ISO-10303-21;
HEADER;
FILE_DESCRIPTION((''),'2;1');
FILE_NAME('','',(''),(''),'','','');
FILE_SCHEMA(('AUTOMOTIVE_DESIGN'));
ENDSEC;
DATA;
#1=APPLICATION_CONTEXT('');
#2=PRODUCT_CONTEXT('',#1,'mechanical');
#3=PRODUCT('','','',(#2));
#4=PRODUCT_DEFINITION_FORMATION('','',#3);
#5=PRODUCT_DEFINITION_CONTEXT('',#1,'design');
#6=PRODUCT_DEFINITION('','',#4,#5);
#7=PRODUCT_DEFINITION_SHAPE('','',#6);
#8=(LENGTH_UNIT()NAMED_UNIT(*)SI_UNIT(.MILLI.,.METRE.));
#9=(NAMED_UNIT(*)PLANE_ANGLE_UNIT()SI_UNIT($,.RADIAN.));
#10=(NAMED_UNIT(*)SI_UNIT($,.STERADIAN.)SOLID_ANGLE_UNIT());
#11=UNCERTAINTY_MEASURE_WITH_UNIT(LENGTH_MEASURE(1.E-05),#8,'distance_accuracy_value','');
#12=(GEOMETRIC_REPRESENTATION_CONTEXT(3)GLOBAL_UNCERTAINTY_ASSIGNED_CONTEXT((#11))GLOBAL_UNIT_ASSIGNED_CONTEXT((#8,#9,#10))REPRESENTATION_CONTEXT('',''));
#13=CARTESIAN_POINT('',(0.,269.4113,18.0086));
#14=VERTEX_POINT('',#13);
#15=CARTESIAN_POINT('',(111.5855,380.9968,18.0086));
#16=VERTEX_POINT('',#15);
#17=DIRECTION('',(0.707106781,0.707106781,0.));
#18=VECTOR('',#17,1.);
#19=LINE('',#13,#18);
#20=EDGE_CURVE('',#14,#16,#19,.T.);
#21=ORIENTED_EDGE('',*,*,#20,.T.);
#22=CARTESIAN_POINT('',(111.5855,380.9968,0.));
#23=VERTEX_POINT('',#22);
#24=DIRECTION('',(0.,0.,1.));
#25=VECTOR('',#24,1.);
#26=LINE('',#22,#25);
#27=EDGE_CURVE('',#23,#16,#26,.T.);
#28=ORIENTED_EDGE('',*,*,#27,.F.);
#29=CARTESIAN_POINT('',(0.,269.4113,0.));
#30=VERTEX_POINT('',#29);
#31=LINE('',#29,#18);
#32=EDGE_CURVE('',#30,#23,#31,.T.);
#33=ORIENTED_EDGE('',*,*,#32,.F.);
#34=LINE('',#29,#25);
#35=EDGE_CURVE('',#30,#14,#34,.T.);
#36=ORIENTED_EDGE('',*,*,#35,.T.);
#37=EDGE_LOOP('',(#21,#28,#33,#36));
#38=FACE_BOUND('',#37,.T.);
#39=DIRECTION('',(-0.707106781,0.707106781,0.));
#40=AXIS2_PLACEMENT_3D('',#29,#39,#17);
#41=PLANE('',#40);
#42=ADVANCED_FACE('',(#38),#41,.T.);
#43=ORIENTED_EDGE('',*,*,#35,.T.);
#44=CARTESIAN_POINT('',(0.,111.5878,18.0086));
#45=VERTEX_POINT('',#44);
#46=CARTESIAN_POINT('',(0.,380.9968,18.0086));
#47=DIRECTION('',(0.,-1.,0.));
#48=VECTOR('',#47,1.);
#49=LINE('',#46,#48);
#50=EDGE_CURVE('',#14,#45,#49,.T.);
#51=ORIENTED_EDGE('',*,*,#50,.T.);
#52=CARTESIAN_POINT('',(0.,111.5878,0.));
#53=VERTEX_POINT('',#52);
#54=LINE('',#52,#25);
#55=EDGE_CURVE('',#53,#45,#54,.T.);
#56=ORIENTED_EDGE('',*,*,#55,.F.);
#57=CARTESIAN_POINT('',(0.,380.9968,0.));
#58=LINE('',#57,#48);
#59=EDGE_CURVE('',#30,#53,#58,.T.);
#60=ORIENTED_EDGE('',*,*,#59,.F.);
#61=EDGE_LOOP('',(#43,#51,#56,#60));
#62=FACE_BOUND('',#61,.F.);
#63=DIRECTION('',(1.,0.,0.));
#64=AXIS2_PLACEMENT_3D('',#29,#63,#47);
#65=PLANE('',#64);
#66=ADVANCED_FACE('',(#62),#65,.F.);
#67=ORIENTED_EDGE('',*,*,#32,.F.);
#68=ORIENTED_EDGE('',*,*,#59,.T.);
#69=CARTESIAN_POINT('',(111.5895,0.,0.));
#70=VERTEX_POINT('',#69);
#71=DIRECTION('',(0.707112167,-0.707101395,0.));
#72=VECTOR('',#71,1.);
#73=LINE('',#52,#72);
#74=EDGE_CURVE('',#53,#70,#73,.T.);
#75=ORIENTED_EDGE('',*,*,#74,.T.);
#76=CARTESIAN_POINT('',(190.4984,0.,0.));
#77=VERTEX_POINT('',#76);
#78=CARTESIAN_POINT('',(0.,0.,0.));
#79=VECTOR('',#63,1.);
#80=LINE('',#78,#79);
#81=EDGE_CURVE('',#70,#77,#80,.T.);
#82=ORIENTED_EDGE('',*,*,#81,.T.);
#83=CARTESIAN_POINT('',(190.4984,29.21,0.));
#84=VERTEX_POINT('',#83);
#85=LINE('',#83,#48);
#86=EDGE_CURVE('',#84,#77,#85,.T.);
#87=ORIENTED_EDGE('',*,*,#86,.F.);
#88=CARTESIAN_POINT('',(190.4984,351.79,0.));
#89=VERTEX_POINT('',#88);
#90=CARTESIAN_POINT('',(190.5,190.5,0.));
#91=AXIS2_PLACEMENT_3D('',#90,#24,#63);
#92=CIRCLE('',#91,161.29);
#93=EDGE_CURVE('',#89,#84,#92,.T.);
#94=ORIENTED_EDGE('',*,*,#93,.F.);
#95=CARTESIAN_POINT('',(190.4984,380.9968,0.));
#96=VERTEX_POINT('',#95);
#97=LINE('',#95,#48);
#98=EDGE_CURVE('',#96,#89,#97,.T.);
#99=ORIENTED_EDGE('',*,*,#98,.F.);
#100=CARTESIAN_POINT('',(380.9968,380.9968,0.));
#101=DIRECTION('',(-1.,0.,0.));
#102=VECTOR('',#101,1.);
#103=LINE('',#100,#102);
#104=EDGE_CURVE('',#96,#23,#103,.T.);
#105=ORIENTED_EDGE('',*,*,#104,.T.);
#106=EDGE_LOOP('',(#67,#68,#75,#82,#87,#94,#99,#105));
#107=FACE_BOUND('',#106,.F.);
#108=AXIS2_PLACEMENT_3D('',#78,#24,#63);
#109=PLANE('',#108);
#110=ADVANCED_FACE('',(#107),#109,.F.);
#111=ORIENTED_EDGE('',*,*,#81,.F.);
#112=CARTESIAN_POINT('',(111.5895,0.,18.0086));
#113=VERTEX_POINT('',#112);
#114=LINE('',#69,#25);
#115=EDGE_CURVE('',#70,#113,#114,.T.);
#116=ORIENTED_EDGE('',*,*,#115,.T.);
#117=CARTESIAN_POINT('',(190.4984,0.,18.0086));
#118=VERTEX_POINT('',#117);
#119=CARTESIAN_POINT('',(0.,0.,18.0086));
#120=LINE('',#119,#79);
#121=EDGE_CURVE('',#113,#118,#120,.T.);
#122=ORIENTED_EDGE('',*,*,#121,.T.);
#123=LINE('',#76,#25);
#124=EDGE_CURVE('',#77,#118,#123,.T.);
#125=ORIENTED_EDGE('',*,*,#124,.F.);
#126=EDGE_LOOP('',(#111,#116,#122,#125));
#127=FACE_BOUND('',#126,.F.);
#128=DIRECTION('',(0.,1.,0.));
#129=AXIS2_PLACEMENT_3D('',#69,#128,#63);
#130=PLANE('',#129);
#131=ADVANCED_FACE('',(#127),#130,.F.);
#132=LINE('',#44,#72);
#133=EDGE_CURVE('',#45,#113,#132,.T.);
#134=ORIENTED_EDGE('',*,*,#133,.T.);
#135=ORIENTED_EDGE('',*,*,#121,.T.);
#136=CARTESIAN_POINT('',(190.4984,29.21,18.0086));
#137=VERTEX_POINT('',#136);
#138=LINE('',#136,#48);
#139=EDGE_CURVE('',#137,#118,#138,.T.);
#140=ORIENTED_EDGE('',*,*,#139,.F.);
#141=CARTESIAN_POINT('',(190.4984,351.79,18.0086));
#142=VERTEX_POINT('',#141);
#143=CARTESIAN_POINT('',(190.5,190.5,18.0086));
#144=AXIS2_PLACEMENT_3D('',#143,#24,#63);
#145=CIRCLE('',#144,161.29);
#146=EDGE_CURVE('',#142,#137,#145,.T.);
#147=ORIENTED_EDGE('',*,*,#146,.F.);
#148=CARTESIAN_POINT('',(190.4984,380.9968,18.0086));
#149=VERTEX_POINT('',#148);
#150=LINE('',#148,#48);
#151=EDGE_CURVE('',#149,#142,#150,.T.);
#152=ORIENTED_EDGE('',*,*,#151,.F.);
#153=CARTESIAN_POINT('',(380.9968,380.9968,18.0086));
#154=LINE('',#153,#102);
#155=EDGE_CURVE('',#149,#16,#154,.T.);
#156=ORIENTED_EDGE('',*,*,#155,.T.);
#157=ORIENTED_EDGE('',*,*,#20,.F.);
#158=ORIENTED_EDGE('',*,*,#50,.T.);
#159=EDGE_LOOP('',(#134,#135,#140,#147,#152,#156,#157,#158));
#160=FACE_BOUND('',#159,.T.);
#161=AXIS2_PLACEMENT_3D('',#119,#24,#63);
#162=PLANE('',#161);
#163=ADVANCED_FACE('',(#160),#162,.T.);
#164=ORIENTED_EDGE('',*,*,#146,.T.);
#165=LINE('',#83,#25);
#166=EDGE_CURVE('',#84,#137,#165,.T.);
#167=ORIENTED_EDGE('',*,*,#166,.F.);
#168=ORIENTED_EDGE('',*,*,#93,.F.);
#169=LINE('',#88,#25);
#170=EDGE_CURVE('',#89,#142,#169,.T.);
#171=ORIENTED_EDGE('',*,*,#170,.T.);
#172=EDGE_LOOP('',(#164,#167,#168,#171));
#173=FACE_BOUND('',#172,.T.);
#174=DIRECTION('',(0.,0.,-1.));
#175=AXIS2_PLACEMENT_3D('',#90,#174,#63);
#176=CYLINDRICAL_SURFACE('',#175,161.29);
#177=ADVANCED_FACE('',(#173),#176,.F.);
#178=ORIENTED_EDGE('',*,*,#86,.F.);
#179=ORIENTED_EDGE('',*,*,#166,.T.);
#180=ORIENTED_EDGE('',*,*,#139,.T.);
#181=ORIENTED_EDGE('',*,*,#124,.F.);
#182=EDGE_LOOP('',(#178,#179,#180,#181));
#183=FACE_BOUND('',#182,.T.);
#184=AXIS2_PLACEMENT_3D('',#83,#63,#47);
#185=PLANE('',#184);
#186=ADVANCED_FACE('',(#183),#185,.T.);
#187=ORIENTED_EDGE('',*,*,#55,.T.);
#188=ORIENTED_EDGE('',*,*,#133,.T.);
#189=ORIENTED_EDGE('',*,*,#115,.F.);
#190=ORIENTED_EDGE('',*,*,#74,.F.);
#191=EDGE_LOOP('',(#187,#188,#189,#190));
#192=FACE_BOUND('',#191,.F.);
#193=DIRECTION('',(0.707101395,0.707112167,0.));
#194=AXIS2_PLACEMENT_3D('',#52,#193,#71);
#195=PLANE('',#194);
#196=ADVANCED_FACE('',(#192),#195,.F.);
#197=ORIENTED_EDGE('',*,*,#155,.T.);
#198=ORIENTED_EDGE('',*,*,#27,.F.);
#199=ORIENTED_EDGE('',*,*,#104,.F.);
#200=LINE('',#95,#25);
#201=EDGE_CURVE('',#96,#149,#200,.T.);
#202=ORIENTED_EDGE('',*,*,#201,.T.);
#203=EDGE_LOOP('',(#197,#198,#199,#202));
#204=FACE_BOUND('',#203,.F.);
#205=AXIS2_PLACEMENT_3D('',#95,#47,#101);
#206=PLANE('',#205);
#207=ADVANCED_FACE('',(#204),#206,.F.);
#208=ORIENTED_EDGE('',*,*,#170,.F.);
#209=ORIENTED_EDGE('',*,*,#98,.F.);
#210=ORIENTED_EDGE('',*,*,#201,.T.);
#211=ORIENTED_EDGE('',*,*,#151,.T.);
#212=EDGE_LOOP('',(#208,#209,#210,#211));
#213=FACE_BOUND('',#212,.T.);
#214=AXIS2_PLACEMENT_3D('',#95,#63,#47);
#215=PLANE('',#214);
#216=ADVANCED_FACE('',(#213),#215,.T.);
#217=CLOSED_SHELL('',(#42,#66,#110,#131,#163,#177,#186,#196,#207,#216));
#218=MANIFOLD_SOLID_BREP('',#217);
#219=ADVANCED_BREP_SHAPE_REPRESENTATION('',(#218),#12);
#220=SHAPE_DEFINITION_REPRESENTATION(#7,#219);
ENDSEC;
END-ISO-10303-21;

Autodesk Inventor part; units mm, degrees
ref_plane "YZ Plane" through (0, 0, 0) normal (1, 0, 0) x (0, 1, 0)
ref_plane "XZ Plane" through (0, 0, 0) normal (0, 1, 0) x (-1, 0, 0)
ref_plane "XY Plane" through (0, 0, 0) normal (0, 0, 1) x (1, 0, 0)
sketch "Sketch1" plane through (0, 0, 0) normal (0, 0, 1) x (1, 0, 0)
  circle A0 centre (190.5, 190.5) radius 161.29
  circle A1 centre (190.5, 190.5) radius 161.29
  line L0 (0, 269.4113) -> (111.5887, 381)
  line L1 (0, 269.4113) -> (157.8102, 269.4113) construction
  line L2 (0, 111.5878) -> (111.5895, 0)
  line L3 (269.4113, 0) -> (381, 111.5903)
  line L4 (380.9968, 269.4113) -> (269.4113, 381)
  line L5 (0, 0) -> (380.9968, 0)
  line L6 (380.9968, 0) -> (380.9968, 380.9968)
  line L7 (380.9968, 380.9968) -> (0, 380.9968)
  line L8 (0, 380.9968) -> (0, 0)
  line L9 (190.4984, 380.9968) -> (190.4984, 351.79)
  line L10 (190.4984, 29.21) -> (190.4984, 0)
  point P0 (111.5855, 380.9968)
  point P1 (111.5895, 0)
  point P2 (380.9968, 111.5871)
  point P3 (269.4145, 380.9968)
  dimension "d3" = 322.58
  dimension "d27" = 45
  dimension "d28" = 157.8102
  dimension "d30" = 157.8235
  dimension "d32" = 157.8218
  dimension "d40" = 157.808
  dimension "d42" = 380.9968
  dimension "d43" = 380.9968
  dimension "d44" = 190.5
  dimension "d45" = 190.5
  dimension "d46" = 111.5878
  dimension "d49" = 29.21
  dimension "d50" = 29.2068
  dimension "d51" = 269.4113
  dimension "d52" = 381
  dimension "d53" = 269.4113
  dimension "d54" = 157.821
  dimension "d55" = 111.5887
  dimension "d56" = 269.4113
  dimension "d57" = 111.5878
  dimension "d58" = 111.5895
  dimension "d59" = 111.5855
extrude "Extrusion3" add sketch "Sketch1" along normal blind 18.0086 contours A0 L10 L5 L2 L8 L0 L7 L9
properties part number "Tube Ring Half"
